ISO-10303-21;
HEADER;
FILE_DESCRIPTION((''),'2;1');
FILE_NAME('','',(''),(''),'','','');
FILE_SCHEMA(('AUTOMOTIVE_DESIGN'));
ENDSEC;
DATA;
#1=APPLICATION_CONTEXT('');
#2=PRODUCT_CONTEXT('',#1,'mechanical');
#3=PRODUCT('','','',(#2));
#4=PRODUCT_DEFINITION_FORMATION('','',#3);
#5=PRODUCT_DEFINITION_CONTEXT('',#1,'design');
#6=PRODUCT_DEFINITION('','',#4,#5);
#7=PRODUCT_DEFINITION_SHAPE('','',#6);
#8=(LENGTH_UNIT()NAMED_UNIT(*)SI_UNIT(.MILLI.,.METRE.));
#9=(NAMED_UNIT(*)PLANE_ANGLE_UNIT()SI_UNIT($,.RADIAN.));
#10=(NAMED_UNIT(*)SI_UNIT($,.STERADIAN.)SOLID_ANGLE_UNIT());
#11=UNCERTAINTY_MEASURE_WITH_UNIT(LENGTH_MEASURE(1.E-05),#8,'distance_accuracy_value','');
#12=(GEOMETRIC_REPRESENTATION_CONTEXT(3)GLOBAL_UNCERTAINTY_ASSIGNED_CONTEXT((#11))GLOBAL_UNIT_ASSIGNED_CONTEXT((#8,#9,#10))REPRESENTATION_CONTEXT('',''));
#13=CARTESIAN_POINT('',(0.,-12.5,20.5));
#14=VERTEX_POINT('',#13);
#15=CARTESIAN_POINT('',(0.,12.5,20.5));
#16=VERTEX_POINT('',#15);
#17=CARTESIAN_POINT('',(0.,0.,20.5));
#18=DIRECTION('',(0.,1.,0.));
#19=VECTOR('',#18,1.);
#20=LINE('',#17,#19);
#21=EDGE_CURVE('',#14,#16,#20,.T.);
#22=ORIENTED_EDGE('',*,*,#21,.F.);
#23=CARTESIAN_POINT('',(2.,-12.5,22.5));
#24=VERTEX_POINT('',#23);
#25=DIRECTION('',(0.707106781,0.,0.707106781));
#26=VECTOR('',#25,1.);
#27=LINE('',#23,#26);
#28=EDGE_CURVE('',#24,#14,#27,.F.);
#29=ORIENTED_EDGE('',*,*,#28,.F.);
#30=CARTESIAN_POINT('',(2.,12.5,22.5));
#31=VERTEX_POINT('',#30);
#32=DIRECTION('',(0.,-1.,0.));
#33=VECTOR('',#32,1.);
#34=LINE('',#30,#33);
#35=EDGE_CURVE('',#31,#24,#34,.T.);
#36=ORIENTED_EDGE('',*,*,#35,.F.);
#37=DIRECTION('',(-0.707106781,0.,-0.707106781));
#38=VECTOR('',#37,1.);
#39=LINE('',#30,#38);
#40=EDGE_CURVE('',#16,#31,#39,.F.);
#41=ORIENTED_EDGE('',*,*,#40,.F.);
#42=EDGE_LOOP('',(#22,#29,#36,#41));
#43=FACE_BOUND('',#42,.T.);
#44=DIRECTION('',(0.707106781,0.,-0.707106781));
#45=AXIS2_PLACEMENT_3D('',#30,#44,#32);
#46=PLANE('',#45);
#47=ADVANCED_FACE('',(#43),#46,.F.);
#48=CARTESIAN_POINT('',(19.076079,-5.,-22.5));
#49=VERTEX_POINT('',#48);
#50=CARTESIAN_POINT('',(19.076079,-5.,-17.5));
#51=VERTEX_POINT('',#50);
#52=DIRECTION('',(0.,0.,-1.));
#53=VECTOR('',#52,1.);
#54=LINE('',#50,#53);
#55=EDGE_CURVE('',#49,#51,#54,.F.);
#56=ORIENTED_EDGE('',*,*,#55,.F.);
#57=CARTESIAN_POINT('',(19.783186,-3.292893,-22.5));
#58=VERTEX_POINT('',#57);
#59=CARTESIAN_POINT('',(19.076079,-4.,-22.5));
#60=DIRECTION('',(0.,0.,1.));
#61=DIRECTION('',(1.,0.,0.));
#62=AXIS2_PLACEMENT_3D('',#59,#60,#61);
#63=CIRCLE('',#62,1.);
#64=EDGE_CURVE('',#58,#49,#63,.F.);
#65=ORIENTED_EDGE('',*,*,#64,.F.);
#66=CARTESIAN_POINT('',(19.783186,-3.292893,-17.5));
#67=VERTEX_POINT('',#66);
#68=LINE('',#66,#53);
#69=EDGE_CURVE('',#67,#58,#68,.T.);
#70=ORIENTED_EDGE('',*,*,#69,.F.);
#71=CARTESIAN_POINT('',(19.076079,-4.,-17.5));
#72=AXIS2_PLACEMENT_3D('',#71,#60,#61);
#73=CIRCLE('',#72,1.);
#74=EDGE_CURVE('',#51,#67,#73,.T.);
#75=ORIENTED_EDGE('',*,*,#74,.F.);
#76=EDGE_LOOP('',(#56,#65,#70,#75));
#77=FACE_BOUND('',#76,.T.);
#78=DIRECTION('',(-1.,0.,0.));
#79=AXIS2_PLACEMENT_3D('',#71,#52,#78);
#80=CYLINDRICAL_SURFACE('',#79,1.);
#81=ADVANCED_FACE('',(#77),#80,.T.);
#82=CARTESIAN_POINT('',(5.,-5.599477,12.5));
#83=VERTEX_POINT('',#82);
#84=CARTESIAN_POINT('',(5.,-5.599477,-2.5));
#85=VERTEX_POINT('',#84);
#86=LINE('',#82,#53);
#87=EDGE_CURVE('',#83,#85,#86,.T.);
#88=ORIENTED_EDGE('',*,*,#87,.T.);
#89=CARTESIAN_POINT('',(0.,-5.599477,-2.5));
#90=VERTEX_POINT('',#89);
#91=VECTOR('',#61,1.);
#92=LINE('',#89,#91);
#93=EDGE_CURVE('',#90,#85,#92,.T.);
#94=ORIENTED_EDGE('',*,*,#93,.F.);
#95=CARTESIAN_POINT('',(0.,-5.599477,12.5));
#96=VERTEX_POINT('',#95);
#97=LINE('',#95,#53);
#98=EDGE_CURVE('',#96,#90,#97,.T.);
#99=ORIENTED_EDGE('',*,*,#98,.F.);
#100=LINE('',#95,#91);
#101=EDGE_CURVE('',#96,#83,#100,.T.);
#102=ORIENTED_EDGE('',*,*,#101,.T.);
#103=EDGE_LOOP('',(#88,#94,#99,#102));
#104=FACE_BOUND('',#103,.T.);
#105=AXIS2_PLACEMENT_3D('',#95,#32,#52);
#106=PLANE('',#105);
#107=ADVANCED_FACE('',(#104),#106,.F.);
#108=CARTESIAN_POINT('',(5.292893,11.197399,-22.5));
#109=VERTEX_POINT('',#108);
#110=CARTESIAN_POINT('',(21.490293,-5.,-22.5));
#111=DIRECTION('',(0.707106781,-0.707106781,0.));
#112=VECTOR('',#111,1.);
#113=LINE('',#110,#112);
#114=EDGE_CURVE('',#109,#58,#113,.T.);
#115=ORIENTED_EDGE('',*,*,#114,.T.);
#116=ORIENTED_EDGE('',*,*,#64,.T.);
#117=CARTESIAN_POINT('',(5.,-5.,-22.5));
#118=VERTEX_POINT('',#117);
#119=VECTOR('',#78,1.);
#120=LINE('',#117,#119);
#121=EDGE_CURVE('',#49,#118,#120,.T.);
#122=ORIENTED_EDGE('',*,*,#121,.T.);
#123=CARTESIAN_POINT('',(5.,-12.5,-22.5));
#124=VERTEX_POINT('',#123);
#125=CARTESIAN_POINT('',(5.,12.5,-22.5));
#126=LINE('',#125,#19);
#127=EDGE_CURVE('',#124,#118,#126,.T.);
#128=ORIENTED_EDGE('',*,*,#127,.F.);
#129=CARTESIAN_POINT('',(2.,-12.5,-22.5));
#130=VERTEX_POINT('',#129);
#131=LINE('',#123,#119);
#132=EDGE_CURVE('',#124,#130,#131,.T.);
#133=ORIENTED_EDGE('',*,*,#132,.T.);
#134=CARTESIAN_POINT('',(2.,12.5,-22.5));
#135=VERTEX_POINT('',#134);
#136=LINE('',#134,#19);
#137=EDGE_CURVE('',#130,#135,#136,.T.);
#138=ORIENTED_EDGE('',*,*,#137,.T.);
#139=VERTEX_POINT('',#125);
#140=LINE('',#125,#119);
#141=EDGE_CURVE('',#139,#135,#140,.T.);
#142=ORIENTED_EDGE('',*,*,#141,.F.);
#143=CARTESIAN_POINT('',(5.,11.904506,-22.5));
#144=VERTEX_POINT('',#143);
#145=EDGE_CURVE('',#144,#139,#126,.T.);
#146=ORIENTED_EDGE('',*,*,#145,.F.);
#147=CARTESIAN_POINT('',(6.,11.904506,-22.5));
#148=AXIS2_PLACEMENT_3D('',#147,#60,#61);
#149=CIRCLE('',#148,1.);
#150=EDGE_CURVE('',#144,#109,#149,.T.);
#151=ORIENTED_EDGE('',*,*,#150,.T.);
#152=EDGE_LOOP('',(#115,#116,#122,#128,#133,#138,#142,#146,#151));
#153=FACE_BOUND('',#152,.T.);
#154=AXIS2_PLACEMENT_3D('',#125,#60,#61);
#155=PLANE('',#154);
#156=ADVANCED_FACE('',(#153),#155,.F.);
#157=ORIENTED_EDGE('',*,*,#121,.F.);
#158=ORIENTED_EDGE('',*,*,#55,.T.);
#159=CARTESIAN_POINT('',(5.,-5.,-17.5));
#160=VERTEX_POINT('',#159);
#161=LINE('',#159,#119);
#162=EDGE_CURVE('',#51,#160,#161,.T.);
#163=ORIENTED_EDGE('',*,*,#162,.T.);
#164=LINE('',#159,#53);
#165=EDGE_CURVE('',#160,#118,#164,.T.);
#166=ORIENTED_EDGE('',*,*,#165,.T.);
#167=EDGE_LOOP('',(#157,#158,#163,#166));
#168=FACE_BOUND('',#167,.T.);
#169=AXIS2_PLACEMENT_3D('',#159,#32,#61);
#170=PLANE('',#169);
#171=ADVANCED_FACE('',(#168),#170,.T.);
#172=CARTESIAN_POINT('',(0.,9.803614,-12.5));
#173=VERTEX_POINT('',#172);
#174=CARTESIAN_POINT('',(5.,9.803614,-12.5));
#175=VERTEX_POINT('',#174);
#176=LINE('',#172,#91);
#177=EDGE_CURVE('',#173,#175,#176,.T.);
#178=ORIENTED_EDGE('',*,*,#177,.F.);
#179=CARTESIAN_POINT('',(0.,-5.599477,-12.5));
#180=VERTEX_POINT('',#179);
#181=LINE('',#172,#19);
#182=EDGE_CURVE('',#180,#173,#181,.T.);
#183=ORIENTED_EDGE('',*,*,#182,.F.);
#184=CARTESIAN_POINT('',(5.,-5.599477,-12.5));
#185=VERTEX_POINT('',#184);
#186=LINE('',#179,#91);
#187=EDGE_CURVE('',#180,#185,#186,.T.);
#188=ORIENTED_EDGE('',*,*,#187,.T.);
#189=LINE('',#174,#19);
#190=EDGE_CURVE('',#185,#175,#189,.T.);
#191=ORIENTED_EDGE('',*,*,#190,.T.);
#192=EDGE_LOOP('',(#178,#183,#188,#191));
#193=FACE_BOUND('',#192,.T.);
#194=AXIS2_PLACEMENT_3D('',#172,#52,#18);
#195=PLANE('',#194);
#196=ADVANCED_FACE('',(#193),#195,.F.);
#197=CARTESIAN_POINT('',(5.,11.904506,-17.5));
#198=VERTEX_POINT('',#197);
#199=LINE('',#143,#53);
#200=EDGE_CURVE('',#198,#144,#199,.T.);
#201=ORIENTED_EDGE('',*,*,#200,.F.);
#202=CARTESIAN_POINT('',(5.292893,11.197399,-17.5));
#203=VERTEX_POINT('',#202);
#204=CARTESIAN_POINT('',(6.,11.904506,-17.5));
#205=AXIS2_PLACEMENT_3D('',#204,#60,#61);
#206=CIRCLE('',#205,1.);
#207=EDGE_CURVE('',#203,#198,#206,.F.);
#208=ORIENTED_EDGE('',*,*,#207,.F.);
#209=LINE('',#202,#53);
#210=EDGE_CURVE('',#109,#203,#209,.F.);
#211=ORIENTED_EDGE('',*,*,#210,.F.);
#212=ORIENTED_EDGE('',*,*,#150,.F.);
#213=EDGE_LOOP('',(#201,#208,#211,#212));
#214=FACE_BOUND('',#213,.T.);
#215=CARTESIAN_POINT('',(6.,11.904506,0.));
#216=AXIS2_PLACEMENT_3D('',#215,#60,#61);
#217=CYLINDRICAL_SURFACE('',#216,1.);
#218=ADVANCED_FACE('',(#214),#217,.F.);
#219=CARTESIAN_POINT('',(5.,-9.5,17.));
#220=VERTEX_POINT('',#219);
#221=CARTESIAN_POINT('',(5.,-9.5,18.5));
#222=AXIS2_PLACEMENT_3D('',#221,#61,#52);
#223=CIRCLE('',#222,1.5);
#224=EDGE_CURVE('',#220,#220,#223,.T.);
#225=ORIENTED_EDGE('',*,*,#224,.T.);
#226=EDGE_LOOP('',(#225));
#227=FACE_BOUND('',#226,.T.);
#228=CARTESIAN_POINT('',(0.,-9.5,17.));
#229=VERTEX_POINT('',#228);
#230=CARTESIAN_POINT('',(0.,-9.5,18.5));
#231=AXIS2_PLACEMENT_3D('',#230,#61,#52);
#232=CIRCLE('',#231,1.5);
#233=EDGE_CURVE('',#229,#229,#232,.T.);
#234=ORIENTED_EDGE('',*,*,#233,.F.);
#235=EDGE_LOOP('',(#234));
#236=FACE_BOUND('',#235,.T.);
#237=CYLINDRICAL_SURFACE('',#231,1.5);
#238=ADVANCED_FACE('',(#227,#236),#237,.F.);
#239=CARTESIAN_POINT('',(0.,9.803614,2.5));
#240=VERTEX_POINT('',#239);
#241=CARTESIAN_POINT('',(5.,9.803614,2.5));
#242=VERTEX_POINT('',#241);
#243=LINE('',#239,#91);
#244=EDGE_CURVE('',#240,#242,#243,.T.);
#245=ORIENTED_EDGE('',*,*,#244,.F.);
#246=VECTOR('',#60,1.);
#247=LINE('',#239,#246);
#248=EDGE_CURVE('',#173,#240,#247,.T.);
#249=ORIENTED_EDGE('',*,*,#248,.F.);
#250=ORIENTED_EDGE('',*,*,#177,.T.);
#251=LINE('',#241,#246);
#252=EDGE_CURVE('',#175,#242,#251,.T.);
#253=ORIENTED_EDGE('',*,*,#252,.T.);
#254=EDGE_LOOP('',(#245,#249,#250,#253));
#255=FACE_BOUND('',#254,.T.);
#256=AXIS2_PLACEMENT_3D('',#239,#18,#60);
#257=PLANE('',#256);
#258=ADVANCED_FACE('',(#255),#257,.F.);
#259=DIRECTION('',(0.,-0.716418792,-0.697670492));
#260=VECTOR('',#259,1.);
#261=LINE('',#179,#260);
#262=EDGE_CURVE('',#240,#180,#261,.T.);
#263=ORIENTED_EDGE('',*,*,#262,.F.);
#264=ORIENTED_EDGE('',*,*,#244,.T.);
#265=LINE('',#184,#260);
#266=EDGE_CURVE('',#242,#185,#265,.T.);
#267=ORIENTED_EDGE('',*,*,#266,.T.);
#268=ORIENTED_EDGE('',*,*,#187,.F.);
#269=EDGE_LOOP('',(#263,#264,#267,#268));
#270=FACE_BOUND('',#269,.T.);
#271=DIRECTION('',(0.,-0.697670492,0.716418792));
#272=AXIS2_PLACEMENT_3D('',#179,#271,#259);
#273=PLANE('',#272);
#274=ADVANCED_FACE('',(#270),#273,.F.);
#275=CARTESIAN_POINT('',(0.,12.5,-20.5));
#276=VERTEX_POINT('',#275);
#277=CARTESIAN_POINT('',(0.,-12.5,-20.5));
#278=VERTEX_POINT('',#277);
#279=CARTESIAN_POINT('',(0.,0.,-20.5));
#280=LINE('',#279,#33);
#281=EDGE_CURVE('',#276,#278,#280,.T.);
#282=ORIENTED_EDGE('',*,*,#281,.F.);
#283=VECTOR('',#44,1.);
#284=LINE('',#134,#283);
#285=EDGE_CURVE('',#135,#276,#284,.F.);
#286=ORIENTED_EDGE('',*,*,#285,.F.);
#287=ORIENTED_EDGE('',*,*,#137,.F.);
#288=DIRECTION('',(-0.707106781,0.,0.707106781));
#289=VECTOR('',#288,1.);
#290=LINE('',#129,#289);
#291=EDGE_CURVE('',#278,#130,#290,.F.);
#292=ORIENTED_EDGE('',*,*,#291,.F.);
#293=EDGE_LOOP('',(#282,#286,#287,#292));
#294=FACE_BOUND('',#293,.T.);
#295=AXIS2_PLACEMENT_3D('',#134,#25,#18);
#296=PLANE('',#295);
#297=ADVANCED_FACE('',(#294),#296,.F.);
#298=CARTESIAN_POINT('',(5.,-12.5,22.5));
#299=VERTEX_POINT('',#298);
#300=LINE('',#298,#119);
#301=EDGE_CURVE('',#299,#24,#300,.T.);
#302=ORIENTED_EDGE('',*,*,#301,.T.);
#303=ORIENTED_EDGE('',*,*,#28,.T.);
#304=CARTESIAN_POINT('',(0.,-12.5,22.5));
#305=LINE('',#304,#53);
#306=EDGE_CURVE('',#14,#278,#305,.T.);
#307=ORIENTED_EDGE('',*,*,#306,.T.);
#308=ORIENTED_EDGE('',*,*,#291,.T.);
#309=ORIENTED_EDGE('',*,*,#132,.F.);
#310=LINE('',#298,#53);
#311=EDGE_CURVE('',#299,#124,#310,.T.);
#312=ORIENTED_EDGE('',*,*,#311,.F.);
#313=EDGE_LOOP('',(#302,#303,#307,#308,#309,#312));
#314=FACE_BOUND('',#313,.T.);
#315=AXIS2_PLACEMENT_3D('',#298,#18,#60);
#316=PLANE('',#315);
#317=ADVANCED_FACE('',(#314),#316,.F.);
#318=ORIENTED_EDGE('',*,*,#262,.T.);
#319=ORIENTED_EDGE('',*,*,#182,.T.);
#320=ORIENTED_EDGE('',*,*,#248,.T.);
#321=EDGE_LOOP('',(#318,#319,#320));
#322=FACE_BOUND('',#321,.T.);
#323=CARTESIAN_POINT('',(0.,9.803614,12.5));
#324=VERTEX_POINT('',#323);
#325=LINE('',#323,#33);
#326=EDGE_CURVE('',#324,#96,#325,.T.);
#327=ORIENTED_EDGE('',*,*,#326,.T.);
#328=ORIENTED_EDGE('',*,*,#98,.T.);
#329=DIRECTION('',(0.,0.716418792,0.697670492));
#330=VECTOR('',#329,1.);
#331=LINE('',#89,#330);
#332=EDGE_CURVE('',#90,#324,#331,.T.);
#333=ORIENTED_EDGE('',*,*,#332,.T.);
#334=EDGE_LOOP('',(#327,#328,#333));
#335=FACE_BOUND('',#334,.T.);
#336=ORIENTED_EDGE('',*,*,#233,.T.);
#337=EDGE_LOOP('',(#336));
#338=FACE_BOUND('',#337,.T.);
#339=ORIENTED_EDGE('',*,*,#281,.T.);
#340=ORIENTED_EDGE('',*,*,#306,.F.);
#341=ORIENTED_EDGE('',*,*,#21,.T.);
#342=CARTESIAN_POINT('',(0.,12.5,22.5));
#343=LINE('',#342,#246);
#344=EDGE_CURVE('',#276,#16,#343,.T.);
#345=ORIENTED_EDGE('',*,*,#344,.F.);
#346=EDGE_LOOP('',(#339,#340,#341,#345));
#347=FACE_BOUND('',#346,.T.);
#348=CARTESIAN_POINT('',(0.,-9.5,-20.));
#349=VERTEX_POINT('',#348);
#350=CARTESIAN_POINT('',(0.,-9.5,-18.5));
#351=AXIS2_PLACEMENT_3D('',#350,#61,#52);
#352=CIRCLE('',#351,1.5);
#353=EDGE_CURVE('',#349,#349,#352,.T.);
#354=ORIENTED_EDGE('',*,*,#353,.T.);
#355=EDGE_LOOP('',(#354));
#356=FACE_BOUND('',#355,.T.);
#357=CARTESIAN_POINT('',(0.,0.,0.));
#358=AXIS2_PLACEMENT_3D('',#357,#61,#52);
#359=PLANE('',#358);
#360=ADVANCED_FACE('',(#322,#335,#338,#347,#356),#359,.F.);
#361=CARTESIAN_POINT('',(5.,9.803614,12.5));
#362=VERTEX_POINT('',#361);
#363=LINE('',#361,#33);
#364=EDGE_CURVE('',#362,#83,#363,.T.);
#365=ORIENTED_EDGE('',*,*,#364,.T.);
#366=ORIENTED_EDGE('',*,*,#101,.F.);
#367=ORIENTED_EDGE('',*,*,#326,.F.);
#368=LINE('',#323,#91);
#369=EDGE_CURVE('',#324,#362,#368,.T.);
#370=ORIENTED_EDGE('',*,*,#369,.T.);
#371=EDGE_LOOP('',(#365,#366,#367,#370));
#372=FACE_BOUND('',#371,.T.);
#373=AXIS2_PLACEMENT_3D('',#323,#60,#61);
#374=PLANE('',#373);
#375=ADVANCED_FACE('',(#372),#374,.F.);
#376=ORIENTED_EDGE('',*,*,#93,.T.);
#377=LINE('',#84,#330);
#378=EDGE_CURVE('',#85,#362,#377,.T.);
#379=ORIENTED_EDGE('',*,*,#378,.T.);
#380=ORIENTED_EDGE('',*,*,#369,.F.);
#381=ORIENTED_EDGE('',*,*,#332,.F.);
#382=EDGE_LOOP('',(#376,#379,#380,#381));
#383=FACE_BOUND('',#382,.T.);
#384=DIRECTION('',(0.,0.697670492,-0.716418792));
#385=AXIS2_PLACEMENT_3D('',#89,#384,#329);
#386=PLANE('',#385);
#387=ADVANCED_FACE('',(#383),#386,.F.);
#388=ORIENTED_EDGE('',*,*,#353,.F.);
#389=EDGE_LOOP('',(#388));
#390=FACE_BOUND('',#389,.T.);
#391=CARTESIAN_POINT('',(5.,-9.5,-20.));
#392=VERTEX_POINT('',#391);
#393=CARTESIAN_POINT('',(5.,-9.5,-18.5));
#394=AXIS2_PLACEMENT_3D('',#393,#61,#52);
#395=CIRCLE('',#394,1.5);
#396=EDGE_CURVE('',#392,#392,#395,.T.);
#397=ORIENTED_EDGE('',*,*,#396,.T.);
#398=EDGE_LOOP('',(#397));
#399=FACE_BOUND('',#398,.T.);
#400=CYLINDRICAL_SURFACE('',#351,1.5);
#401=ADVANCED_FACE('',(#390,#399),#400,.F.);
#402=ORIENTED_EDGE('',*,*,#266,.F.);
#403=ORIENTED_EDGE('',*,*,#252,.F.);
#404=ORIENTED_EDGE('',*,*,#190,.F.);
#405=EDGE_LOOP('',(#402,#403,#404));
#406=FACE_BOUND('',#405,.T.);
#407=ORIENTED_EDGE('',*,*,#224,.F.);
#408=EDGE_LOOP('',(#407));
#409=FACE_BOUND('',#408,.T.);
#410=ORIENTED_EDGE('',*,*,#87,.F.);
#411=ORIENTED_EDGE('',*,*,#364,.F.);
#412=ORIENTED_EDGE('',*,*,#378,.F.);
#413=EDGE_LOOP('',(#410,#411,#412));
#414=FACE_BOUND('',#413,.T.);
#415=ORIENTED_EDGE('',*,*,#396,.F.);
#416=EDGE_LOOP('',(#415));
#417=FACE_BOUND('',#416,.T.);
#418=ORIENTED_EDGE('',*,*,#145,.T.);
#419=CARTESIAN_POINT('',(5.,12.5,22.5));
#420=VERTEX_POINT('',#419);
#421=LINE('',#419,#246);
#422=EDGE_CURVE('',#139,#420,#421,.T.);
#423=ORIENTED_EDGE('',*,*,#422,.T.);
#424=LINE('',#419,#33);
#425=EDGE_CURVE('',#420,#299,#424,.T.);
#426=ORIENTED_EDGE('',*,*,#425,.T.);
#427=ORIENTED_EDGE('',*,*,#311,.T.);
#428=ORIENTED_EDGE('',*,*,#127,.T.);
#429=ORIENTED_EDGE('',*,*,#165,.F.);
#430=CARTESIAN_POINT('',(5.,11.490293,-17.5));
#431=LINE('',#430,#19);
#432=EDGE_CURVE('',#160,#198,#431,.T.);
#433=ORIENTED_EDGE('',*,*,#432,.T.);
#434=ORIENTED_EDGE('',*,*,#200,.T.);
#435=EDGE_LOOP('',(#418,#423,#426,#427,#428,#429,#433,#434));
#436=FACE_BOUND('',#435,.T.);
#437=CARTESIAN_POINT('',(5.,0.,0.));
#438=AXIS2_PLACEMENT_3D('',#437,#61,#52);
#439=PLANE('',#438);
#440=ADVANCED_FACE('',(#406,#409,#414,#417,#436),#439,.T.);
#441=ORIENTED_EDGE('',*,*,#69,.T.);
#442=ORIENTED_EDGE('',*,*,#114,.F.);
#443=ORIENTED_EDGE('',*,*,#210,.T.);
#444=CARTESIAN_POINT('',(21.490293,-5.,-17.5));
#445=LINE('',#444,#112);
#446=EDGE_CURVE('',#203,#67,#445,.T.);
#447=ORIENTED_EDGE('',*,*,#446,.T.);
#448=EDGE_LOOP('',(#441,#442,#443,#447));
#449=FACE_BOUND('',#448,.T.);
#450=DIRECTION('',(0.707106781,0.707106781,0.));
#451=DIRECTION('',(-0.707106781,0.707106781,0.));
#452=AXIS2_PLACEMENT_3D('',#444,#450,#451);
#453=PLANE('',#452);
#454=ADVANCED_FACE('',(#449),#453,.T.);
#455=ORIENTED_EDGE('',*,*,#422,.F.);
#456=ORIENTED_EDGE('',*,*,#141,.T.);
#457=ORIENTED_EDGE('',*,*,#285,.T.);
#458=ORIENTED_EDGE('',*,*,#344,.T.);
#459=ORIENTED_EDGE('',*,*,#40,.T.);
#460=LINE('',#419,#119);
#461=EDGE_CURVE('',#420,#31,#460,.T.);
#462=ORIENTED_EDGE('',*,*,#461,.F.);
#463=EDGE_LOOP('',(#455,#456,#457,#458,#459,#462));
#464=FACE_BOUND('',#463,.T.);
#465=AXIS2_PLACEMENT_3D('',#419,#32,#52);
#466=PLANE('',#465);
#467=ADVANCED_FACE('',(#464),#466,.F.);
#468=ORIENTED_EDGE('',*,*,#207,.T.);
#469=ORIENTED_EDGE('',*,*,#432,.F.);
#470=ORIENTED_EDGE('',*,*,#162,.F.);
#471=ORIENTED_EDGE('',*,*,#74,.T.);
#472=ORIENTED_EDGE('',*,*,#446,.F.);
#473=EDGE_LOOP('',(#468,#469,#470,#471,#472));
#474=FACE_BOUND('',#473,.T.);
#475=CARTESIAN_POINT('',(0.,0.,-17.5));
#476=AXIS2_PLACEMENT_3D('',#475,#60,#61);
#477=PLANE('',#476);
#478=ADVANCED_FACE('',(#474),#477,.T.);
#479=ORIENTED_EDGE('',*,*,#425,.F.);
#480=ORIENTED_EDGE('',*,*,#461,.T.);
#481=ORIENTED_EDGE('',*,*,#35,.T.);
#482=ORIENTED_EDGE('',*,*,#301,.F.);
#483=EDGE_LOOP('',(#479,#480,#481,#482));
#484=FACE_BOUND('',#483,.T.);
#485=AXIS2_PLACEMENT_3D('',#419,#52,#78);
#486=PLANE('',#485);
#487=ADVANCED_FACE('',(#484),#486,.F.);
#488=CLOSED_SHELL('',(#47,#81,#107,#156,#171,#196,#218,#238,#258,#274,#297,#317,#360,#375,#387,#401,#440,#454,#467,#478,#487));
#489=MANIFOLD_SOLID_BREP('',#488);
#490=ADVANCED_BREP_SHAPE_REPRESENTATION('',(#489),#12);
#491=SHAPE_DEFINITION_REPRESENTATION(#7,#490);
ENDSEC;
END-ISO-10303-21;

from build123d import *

# Parameters (mm, degrees)
SKETCH1_W           = 45
SKETCH1_H           = 25
BOSS_EXTRUDE1_DEPTH = 5
SKETCH2_R           = 1.5
CUT_EXTRUDE1_DEPTH  = 27.220221204
CUT_EXTRUDE2_DEPTH  = 27.220221204
CHAMFER2_SIZE       = 2
BOSS_EXTRUDE2_DEPTH = 5
FILLET1_R           = 1


with BuildPart() as part:
    # Sketch1 → Boss-Extrude1 (new body)
    with BuildSketch(Plane(origin=(0, 0, 0), x_dir=(0, 0, -1), z_dir=(1, 0, 0))):
        Rectangle(SKETCH1_W, SKETCH1_H)
    extrude(amount=BOSS_EXTRUDE1_DEPTH)

    # Sketch2 → Cut-Extrude1 (cut, through all)
    with BuildSketch(Plane(origin=(5, 0, 0), x_dir=(0, 0, -1), z_dir=(1, 0, 0))):
        with Locations((-18.5, -9.5)):
            Circle(SKETCH2_R)
        with Locations((18.5, -9.5)):
            Circle(SKETCH2_R)
    extrude(amount=-CUT_EXTRUDE1_DEPTH, mode=Mode.SUBTRACT)

    # Sketch3 → Cut-Extrude2 (cut, through all)
    with BuildSketch(Plane(origin=(5, 0, 0), x_dir=(0, 0, -1), z_dir=(1, 0, 0))):
        Polygon((-12.5, 9.80361421), (-12.5, -5.599476508), (2.5, -5.599476508), align=None)
        Polygon((-2.5, 9.80361421), (12.5, 9.80361421), (12.5, -5.599476508), align=None)
    extrude(amount=-CUT_EXTRUDE2_DEPTH, mode=Mode.SUBTRACT)

    # Chamfer2
    chamfer2_edges = [part.edges().sort_by_distance(p)[0] for p in [
        (0, 0, 22.5),
        (0, 0, -22.5),
    ]]
    chamfer(chamfer2_edges, length=CHAMFER2_SIZE)

    # Sketch4 → Boss-Extrude2 (add)
    with BuildSketch(Plane(origin=(0, 0, -22.5), x_dir=(-1, 0, 0), z_dir=(0, 0, -1))):
        Polygon((-5, -5), (-21.490292585, -5), (-5, 11.490292585), align=None)
    extrude(amount=-BOSS_EXTRUDE2_DEPTH)

    # Fillet1
    fillet1_edges = [part.edges().sort_by_distance(p)[0] for p in [
        (5, 11.490292585, -20),
        (21.490292585, -5, -20),
    ]]
    fillet(fillet1_edges, radius=FILLET1_R)


solid = part.part
